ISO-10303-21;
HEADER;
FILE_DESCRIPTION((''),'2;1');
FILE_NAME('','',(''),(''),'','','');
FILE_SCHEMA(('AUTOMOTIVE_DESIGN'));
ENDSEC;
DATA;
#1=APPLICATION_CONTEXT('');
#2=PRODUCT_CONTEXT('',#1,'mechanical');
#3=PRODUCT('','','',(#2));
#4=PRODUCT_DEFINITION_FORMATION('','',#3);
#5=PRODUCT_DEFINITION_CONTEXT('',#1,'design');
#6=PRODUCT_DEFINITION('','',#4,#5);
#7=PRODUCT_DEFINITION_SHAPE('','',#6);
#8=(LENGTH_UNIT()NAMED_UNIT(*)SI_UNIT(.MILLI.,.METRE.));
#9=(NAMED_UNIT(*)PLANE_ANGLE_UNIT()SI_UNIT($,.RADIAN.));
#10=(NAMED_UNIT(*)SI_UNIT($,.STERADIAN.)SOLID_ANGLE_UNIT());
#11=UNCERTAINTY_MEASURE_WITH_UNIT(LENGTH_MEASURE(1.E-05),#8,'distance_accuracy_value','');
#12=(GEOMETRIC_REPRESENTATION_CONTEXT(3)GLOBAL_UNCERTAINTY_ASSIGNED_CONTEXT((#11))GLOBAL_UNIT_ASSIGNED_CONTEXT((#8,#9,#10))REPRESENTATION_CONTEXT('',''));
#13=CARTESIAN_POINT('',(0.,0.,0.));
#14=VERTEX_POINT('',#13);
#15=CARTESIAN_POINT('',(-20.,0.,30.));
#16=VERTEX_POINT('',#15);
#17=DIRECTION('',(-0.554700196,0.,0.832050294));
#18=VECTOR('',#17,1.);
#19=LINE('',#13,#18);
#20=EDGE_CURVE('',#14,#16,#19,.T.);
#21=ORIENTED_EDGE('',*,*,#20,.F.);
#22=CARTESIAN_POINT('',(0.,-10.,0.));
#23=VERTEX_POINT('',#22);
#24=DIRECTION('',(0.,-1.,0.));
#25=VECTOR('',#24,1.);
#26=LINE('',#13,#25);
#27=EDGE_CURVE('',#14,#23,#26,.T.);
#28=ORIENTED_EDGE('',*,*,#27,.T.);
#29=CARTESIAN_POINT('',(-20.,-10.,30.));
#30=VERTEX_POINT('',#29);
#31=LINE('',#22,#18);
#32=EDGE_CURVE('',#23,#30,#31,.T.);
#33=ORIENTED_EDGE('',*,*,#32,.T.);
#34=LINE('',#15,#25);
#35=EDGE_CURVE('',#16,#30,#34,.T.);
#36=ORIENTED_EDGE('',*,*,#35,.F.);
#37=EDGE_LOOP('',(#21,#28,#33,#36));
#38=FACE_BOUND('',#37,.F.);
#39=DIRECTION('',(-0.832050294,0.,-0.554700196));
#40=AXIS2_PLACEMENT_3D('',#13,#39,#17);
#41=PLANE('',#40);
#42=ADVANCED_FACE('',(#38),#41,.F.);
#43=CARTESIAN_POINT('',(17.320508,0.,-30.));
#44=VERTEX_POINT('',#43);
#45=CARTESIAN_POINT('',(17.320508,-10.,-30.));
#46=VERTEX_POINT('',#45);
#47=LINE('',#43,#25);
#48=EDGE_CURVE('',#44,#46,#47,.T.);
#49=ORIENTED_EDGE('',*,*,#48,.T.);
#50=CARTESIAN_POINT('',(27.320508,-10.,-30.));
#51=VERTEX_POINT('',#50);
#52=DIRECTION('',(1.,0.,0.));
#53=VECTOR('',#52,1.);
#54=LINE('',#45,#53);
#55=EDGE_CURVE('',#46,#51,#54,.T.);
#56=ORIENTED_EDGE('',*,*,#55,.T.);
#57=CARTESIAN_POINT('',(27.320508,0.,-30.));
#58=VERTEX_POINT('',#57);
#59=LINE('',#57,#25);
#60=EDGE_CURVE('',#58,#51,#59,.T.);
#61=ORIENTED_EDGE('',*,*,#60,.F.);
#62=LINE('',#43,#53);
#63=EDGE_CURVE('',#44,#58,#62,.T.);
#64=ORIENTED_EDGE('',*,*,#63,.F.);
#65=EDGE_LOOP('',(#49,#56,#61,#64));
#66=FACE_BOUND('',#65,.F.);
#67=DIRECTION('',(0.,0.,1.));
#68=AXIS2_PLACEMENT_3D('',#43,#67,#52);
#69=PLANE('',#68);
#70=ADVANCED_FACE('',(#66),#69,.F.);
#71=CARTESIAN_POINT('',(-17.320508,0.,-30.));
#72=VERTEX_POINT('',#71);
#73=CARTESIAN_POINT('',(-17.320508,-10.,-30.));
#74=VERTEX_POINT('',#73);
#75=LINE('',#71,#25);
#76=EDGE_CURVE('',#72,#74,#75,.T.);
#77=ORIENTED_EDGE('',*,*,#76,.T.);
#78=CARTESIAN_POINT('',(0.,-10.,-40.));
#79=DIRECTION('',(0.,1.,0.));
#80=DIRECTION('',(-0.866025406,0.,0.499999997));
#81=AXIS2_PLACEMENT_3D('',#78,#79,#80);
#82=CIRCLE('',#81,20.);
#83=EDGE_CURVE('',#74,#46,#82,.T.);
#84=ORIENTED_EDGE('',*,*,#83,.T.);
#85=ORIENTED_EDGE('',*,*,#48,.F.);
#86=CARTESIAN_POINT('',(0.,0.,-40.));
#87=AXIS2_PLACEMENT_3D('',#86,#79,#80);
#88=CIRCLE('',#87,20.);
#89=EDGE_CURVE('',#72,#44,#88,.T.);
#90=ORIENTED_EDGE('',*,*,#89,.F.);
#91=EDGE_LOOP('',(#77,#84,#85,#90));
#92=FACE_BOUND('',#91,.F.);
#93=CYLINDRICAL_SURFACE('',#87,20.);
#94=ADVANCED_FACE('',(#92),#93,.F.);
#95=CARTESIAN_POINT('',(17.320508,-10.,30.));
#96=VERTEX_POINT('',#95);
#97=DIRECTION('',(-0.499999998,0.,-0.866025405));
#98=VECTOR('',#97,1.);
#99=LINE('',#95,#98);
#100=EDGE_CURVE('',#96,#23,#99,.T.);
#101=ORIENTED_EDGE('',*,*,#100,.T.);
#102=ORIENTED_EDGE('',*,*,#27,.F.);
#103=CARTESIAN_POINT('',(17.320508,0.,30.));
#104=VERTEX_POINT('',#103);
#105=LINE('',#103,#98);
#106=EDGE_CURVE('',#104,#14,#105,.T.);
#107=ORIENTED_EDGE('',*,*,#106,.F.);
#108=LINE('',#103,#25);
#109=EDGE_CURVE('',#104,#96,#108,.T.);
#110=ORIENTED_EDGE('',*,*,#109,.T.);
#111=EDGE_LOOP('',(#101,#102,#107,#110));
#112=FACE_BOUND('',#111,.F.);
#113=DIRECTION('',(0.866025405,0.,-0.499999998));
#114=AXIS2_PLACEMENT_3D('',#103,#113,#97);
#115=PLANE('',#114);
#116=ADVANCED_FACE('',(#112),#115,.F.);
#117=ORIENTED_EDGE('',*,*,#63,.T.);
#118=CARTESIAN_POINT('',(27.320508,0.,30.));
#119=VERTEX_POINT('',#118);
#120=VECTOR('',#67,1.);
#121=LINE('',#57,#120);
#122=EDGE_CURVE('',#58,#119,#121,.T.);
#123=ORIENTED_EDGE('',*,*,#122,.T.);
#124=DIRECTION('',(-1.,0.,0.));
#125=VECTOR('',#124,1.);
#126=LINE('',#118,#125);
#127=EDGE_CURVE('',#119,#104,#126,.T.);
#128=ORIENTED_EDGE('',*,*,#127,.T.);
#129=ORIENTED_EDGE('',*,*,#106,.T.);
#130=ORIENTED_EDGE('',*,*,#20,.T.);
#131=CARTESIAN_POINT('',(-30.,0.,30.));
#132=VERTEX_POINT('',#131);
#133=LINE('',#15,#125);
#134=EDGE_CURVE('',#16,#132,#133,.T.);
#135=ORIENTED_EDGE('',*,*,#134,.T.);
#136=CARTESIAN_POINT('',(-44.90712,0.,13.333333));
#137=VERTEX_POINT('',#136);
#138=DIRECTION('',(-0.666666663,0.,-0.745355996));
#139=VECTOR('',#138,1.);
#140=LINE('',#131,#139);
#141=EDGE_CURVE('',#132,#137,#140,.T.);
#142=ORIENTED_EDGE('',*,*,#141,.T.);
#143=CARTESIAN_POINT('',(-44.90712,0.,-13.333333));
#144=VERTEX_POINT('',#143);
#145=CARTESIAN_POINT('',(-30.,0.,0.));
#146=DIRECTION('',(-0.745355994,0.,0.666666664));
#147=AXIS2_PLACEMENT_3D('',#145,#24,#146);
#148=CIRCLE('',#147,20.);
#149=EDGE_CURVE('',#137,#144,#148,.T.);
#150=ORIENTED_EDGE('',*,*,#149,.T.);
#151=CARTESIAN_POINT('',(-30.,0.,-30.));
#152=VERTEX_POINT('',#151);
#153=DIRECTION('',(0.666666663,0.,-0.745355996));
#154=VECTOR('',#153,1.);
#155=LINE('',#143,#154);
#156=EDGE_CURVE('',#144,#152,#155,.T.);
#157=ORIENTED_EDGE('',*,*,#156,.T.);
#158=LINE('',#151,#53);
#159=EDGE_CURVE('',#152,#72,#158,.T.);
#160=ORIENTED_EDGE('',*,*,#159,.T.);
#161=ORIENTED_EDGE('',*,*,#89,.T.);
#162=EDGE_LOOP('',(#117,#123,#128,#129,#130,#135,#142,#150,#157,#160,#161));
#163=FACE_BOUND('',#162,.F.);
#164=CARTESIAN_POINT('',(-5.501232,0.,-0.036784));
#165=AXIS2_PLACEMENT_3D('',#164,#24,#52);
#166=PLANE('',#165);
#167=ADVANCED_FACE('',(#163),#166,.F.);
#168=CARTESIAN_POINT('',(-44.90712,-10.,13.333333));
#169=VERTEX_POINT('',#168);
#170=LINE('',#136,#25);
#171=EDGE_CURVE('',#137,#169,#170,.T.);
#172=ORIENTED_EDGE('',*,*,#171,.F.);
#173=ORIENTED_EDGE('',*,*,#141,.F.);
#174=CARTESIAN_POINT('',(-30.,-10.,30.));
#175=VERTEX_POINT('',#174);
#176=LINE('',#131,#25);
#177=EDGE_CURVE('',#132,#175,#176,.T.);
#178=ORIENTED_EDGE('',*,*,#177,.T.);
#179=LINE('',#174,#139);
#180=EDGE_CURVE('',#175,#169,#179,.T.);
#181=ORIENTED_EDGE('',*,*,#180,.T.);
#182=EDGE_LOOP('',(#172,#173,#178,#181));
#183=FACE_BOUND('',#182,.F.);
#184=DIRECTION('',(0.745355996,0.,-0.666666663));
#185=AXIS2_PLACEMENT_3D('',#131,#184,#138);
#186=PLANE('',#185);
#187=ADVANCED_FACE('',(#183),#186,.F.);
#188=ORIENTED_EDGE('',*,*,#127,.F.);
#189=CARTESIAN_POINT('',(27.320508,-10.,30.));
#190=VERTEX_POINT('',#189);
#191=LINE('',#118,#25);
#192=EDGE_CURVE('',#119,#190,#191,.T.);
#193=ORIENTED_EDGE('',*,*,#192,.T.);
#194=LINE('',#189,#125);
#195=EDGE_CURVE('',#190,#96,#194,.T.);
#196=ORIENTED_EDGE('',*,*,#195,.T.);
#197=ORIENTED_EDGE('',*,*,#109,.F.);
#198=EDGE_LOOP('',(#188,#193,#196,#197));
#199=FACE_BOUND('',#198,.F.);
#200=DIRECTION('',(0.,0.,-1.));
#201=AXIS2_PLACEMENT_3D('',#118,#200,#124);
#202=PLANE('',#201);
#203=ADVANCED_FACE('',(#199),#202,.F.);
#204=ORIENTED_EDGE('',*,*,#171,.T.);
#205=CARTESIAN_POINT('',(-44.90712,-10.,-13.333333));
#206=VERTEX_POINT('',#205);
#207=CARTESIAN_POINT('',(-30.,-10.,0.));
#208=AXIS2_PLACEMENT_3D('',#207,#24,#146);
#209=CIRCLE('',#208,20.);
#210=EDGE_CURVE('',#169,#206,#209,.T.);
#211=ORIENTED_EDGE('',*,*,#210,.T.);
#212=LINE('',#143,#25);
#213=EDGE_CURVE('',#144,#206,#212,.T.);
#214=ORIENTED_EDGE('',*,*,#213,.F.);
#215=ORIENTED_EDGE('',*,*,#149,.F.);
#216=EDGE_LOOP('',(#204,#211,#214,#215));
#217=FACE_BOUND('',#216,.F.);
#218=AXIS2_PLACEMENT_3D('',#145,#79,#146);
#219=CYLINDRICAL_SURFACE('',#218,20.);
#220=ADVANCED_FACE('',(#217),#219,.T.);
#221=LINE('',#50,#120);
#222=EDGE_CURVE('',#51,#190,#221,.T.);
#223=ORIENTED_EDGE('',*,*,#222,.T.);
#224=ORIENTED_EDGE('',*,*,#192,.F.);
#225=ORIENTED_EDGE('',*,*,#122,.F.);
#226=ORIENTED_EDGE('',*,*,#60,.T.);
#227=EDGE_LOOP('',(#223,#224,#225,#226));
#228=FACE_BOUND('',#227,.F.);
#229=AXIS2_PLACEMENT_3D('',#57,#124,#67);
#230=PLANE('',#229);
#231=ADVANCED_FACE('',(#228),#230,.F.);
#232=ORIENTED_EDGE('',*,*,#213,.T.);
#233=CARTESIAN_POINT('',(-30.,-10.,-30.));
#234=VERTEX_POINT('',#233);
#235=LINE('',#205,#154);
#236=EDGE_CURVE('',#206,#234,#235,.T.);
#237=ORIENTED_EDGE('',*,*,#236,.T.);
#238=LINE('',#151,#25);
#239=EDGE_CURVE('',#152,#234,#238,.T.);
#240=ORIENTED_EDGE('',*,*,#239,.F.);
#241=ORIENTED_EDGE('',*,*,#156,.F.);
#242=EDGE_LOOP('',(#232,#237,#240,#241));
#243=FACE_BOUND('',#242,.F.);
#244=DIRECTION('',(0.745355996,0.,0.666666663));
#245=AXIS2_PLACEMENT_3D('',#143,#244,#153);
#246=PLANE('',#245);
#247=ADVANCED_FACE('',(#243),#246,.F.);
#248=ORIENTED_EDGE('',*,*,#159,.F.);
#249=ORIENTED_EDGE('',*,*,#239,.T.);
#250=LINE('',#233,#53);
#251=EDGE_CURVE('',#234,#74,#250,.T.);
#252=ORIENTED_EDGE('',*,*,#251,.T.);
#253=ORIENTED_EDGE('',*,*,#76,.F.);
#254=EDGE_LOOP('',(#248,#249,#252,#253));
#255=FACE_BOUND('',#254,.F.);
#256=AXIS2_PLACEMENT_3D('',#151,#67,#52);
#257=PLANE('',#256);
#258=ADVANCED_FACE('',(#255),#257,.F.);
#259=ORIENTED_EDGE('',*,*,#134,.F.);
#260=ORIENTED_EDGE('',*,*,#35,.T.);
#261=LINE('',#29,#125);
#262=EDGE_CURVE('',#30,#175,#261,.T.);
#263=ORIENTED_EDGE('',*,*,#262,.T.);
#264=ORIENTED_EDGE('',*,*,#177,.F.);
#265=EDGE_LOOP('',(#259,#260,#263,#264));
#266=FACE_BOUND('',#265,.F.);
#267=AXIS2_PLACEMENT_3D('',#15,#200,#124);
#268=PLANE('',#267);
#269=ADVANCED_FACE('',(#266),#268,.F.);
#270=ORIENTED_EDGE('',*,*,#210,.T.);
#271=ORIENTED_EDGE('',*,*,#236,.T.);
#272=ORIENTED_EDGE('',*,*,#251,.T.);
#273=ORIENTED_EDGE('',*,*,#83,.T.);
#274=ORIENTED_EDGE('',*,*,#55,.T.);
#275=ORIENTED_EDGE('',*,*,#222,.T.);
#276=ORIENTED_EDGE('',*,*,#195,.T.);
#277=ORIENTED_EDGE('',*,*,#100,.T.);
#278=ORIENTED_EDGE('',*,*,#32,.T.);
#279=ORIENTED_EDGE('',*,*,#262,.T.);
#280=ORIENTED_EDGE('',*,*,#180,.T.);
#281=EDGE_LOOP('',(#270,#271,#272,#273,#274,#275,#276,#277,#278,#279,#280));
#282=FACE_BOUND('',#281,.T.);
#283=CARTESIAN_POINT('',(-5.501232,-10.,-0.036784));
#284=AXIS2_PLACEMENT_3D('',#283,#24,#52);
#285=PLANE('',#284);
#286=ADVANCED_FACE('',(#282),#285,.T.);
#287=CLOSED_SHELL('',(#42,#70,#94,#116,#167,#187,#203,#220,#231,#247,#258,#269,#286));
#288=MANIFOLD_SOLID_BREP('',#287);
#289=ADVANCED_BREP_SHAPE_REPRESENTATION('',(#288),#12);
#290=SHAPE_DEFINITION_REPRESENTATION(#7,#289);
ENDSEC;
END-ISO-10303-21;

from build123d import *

# Parameters (mm, degrees)
F1_DEPTH = 10


with BuildPart() as f1:
    # F0 (on Front) → F1 (new body)
    with BuildSketch(Plane.XZ):
        with BuildLine():
            Line((0, 0), (-20, 30))
            Line((-20, 30), (-30, 30))
            Line((-30, 30), (-44.90712, 13.333333))
            ThreePointArc((-44.90712, 13.333333), (-50, 0), (-44.90712, -13.333333))
            Line((-44.90712, -13.333333), (-30, -30))
            Line((-30, -30), (-17.320508, -30))
            ThreePointArc((-17.320508, -30), (0, -20), (17.320508, -30))
            Line((17.320508, -30), (27.320508, -30))
            Line((27.320508, -30), (27.320508, 30))
            Line((27.320508, 30), (17.320508, 30))
            Line((17.320508, 30), (0, 0))
        make_face()
    extrude(amount=F1_DEPTH)


solid = f1.part
